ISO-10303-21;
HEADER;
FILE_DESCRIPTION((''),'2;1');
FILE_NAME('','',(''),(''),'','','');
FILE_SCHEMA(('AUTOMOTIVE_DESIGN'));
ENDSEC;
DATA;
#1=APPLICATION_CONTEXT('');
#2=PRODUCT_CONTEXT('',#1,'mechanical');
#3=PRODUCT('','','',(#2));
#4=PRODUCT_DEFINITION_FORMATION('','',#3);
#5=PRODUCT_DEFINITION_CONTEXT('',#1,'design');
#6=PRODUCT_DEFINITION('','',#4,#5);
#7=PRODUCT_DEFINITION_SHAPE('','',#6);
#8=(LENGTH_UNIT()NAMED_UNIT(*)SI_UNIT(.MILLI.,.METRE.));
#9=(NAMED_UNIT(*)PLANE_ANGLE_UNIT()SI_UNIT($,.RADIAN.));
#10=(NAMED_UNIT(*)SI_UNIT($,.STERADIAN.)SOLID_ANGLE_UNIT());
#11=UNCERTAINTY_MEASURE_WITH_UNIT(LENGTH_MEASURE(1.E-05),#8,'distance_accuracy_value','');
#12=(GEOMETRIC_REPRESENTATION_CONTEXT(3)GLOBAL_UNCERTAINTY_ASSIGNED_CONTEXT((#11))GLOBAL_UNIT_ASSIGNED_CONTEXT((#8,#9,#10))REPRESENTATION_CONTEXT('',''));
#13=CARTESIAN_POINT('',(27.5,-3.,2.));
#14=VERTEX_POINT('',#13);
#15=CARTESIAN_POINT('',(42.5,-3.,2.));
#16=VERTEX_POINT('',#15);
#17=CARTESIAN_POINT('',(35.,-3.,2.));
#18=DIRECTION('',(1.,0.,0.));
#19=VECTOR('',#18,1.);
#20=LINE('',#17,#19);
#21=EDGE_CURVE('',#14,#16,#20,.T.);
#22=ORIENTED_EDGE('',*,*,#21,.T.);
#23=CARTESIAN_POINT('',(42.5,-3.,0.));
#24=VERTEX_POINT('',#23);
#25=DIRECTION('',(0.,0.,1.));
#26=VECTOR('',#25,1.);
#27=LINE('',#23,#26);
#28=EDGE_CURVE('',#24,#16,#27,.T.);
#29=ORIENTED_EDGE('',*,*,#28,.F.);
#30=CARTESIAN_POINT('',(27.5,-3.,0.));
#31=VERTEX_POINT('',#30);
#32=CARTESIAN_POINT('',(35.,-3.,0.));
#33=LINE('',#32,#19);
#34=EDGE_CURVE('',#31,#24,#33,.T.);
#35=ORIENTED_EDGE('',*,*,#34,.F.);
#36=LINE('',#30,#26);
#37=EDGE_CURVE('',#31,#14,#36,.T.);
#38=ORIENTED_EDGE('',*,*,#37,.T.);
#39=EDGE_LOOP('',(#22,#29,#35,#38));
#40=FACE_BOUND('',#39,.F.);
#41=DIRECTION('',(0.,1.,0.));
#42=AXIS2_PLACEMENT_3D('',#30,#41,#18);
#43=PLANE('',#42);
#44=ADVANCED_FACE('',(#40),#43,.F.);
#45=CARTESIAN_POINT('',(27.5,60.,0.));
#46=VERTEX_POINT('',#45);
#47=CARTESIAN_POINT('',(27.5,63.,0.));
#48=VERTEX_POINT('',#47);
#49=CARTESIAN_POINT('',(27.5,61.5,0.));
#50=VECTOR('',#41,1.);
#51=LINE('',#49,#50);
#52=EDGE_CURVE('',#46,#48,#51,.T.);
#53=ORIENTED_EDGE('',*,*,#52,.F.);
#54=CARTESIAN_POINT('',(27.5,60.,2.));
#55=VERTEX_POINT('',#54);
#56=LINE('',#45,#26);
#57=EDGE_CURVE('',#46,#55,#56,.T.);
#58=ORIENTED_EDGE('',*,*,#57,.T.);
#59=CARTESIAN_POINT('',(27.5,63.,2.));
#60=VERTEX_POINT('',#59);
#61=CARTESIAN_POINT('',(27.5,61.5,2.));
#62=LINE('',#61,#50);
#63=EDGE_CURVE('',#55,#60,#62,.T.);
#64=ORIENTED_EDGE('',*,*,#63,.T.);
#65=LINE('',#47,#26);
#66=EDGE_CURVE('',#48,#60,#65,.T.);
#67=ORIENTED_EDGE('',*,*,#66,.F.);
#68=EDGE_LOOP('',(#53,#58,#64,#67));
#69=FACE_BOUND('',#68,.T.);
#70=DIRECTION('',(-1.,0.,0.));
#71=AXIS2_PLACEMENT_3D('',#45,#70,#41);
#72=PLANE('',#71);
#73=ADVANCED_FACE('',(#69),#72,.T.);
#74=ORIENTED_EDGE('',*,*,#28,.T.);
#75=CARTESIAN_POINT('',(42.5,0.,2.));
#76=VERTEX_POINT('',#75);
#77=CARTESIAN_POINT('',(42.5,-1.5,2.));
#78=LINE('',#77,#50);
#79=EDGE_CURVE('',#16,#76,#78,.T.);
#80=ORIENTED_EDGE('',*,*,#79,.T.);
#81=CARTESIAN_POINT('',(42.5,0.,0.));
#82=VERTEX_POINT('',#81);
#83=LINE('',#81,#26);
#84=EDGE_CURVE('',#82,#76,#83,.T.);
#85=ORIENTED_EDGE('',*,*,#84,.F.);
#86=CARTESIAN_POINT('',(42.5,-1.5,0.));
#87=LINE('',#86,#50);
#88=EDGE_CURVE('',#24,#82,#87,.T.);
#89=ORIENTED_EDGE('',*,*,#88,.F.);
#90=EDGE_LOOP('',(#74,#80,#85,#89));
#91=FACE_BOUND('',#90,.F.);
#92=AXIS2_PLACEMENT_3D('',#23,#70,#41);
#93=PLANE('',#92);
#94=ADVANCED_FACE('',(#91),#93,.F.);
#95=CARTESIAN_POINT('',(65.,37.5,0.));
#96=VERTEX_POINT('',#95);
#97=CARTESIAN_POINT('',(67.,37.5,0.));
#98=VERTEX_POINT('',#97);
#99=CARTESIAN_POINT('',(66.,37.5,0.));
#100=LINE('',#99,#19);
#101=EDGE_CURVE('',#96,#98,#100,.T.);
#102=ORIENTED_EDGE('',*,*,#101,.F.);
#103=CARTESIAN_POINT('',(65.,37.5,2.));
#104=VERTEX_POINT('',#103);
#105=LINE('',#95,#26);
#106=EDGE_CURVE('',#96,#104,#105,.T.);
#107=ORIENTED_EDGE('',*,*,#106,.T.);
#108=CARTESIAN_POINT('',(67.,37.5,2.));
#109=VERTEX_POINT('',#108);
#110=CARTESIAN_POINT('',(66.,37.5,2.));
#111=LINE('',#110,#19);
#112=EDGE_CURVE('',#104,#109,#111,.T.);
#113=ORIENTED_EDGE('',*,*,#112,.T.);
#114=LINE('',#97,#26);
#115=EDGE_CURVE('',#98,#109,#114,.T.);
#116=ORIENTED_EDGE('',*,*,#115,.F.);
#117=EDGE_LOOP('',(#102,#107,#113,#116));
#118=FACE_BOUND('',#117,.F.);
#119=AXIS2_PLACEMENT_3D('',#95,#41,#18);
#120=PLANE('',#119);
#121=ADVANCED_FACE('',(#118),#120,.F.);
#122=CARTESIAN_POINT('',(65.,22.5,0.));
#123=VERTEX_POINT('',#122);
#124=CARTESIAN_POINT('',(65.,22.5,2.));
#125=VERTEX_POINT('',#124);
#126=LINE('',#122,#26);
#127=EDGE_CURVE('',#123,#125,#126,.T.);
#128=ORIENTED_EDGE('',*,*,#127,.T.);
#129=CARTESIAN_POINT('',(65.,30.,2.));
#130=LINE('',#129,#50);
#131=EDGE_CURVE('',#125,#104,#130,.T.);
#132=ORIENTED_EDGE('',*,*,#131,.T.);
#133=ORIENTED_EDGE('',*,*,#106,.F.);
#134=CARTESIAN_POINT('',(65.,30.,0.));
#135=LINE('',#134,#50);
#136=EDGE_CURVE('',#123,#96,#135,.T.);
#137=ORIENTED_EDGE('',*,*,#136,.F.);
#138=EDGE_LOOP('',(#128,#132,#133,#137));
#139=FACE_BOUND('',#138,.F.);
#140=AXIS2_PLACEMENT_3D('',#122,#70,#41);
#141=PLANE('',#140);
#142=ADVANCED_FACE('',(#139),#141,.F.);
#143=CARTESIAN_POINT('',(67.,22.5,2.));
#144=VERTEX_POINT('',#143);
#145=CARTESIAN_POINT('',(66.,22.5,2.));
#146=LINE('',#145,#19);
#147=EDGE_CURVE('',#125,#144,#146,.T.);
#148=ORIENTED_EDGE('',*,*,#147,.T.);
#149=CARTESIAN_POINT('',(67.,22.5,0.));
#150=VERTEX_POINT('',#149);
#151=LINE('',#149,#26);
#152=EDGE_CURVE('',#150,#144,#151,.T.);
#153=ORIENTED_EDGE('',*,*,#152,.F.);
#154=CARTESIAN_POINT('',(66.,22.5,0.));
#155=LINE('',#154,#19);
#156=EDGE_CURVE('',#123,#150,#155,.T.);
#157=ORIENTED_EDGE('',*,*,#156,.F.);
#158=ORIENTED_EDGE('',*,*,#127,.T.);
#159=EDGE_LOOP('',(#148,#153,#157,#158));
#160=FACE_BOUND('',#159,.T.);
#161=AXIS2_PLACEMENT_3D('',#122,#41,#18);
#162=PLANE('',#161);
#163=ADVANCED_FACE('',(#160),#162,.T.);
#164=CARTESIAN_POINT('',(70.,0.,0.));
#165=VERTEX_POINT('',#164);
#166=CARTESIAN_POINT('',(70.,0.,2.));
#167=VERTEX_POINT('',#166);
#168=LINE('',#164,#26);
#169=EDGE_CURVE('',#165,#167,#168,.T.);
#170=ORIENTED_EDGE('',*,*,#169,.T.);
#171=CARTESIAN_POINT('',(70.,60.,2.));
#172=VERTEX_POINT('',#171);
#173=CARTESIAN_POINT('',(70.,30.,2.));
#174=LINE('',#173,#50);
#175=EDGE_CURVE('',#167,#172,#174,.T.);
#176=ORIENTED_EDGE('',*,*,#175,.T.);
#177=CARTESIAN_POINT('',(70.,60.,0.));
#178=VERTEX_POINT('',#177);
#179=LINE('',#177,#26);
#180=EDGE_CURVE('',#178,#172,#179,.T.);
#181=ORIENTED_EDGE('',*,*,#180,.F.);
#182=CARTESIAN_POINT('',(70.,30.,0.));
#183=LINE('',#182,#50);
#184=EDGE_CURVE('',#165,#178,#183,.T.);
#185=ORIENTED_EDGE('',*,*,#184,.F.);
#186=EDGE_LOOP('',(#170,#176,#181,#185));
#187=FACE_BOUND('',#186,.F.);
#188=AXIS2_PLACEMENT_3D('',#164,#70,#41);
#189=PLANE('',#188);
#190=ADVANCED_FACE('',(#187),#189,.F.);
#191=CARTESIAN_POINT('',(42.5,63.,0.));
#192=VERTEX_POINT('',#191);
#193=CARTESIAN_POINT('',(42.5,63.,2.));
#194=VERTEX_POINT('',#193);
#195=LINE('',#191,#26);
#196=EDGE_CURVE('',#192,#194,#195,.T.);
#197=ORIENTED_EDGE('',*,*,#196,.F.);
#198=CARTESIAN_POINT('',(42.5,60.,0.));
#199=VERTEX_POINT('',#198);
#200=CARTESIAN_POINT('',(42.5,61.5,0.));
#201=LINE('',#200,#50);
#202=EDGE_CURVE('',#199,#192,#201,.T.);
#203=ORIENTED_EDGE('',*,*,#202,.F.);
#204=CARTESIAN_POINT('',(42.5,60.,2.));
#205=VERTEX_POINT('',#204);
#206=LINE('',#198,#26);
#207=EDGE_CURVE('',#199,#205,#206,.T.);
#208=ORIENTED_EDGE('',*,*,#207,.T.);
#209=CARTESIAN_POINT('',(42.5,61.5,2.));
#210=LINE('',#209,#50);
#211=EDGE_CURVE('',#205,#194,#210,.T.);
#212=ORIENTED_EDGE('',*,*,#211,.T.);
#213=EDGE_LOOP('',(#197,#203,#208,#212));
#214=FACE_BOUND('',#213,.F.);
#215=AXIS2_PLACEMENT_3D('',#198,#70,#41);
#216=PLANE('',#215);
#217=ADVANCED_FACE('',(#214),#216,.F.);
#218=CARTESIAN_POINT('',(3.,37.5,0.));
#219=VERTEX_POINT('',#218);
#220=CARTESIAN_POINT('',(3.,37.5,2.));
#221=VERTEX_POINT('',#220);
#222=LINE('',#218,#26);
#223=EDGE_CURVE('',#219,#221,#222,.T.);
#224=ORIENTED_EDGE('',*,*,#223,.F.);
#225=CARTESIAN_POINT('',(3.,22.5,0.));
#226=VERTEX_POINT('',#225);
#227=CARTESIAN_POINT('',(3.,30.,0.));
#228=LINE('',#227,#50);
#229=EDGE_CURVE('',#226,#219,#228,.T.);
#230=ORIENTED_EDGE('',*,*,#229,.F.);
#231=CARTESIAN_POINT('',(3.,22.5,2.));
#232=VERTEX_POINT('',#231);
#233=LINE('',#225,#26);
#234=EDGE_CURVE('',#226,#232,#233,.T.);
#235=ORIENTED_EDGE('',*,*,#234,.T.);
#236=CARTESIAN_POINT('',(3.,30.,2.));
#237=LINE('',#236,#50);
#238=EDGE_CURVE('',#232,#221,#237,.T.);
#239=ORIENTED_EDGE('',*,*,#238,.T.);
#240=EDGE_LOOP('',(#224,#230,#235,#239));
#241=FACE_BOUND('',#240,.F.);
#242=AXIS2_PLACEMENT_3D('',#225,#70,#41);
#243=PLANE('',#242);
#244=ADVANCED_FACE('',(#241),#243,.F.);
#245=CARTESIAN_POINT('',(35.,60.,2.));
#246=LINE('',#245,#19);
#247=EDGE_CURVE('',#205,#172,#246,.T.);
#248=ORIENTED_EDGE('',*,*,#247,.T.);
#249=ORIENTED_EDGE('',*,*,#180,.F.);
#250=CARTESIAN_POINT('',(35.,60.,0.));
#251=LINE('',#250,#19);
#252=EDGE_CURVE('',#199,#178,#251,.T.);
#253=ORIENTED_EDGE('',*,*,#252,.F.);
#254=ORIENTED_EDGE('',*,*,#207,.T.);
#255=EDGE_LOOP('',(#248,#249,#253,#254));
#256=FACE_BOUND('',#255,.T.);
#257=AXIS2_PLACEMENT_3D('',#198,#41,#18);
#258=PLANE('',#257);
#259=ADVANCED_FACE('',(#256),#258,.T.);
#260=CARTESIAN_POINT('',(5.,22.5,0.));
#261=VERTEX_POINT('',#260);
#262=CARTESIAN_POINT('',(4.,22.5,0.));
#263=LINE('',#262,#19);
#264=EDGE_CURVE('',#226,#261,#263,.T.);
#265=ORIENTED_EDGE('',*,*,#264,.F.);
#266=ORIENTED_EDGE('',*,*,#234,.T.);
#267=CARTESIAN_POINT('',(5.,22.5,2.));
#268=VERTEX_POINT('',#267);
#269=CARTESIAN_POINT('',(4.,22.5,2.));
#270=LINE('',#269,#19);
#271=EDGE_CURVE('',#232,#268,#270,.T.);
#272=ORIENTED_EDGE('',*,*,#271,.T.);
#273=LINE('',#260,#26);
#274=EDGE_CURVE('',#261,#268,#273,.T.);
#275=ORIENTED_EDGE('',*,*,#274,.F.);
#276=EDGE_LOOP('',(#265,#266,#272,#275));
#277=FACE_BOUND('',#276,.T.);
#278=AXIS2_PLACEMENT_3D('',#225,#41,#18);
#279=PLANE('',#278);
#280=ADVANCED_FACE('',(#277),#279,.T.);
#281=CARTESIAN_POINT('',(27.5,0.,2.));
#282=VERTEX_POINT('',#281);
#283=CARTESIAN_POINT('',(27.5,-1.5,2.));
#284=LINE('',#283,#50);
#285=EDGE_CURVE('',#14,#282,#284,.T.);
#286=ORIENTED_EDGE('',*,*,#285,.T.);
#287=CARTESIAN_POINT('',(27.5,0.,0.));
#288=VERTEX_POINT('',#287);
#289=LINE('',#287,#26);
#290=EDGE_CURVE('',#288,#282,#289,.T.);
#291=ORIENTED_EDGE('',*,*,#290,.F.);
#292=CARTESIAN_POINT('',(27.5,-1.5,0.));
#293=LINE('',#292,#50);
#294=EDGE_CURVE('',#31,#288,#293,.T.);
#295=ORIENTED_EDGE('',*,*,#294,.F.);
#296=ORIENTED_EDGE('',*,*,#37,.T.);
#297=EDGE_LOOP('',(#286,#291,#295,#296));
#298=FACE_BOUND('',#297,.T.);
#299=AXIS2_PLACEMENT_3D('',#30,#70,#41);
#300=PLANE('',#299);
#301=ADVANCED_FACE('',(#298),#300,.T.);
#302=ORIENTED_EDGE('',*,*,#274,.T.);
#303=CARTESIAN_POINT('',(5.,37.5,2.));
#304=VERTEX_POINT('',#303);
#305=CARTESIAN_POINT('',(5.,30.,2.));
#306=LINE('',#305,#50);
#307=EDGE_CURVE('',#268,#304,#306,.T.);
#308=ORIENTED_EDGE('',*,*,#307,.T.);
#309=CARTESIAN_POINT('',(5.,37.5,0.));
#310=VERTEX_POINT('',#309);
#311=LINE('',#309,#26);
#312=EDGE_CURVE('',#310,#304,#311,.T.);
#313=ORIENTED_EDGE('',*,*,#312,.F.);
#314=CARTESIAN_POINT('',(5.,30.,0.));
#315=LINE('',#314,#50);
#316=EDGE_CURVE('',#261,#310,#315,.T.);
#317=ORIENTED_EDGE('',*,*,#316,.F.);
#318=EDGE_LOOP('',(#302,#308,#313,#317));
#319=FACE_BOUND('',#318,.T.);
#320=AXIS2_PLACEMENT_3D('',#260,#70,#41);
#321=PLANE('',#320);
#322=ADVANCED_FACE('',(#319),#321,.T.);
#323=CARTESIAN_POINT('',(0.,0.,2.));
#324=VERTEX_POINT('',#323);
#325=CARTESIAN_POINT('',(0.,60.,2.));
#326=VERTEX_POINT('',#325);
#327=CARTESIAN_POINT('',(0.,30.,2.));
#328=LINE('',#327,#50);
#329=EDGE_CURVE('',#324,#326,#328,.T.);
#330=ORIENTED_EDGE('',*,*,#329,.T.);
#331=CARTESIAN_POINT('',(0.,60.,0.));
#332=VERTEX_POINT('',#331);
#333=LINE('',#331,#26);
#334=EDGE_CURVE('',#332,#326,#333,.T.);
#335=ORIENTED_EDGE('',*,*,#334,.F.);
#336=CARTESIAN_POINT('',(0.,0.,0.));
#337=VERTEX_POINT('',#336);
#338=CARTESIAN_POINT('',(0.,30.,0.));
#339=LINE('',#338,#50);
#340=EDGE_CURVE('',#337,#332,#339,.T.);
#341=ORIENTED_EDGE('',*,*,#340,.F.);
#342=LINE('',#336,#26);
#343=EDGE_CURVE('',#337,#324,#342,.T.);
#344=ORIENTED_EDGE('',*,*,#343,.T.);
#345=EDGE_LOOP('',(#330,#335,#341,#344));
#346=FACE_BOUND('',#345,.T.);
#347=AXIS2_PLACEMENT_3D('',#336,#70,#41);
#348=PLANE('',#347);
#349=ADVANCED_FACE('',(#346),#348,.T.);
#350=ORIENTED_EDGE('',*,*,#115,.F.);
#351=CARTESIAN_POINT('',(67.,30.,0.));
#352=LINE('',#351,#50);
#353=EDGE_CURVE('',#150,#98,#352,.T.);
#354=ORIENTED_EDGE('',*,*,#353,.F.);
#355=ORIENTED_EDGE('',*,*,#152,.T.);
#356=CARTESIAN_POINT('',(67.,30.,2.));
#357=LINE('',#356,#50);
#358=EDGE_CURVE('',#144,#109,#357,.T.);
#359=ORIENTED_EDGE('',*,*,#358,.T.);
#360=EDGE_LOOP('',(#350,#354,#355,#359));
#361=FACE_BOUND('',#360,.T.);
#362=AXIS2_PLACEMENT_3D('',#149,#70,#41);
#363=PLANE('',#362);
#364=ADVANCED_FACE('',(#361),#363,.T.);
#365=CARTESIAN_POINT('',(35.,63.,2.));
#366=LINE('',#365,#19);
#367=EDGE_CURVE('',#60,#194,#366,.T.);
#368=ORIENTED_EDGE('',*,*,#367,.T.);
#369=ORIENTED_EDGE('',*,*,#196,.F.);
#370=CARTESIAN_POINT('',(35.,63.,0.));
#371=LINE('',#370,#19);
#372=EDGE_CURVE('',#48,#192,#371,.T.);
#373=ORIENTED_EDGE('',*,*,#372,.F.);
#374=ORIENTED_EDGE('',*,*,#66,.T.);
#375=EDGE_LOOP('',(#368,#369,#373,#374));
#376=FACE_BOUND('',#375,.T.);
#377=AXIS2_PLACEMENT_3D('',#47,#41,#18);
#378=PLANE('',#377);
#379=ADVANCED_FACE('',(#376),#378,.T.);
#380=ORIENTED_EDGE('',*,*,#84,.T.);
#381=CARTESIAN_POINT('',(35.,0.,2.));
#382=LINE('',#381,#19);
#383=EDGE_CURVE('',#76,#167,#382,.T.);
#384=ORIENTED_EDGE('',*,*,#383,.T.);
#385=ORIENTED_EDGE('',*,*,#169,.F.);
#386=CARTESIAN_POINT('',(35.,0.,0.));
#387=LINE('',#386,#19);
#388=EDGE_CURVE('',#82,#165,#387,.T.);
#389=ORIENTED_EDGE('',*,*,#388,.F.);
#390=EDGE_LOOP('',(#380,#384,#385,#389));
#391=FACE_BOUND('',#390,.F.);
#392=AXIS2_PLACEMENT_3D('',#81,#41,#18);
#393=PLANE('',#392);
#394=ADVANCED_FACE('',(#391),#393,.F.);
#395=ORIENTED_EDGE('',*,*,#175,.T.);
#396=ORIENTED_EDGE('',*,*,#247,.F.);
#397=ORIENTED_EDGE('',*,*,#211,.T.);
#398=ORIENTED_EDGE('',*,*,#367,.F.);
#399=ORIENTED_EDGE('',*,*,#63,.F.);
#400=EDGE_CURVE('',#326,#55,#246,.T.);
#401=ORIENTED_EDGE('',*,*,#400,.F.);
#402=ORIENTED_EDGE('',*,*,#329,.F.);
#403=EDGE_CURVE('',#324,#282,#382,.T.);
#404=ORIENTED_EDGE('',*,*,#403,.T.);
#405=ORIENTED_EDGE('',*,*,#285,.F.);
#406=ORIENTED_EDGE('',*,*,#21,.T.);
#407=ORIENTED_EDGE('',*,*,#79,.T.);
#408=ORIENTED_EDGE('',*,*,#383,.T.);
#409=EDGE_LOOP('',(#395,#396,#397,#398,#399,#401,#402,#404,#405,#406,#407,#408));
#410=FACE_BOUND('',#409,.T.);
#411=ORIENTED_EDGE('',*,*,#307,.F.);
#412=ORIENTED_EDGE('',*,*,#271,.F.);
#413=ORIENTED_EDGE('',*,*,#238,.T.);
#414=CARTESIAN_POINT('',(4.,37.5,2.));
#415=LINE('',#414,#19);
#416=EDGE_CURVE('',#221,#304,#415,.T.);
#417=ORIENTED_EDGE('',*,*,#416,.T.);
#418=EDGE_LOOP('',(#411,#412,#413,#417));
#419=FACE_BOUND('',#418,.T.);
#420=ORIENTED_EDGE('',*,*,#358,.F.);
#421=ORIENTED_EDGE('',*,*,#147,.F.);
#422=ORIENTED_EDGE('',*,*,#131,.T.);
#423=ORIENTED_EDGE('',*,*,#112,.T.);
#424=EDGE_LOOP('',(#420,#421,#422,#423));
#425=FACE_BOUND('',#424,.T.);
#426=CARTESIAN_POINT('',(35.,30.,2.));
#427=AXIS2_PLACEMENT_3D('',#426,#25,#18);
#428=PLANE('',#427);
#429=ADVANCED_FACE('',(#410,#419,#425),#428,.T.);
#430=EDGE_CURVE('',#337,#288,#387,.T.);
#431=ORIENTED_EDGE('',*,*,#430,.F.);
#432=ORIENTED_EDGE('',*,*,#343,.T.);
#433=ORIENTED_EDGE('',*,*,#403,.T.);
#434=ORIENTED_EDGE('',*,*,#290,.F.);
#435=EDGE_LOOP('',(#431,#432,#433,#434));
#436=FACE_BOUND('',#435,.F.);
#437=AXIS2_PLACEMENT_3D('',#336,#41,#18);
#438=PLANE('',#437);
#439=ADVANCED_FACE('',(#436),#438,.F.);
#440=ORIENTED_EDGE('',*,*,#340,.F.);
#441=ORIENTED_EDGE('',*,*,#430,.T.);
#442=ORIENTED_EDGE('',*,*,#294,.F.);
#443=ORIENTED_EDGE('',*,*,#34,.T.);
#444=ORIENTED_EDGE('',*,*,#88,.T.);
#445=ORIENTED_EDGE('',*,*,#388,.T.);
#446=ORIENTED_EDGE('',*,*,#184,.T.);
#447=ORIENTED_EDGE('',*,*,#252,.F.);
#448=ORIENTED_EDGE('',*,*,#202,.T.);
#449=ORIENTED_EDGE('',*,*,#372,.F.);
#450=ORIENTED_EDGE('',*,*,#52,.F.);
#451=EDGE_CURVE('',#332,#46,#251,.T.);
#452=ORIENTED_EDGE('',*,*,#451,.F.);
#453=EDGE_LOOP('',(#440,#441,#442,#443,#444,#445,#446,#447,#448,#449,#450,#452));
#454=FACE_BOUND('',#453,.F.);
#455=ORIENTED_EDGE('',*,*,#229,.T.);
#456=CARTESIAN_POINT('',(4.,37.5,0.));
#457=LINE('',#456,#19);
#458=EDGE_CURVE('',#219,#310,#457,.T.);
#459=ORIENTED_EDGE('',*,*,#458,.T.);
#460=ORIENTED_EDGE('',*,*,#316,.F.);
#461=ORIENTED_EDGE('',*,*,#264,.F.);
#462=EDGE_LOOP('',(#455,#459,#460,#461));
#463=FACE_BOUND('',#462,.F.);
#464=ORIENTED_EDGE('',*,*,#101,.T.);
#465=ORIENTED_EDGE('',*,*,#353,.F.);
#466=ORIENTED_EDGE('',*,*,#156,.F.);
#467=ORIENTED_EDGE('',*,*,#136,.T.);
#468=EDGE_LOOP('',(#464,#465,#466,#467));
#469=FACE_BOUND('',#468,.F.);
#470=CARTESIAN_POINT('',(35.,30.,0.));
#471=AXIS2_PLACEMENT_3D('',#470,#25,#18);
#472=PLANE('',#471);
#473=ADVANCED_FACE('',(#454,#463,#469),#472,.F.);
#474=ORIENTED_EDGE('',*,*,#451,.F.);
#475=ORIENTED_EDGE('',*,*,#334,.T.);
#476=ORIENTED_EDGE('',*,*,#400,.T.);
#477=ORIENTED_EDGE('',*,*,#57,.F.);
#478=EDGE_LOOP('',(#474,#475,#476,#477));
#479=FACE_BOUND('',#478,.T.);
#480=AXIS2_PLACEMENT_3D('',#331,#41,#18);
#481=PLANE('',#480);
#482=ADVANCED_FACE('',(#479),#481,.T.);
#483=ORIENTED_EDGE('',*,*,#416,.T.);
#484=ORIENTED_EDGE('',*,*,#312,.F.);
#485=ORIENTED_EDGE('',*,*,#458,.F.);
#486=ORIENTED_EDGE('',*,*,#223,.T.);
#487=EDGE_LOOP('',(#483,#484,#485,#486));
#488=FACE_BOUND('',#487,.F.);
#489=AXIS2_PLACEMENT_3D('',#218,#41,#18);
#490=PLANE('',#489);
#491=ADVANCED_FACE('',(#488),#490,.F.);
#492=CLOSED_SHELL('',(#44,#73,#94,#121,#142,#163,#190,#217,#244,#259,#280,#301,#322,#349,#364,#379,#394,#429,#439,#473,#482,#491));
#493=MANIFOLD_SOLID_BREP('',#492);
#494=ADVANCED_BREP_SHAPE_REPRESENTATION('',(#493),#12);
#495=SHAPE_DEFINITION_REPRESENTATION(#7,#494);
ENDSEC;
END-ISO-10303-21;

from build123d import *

# Parameters (mm, degrees)
SKETCH_W     = 70
SKETCH_H     = 60
SKETCH_W_2   = 15
SKETCH_H_2   = 3
PAD_DEPTH    = 2
SKETCH001_W  = 2
SKETCH001_H  = 15
POCKET_DEPTH = 2


with BuildPart() as part:
    # Sketch → Pad (new body)
    with BuildSketch(Plane.XY):
        with Locations((35, 30)):
            Rectangle(SKETCH_W, SKETCH_H)
        with Locations((35, 61.5)):
            Rectangle(SKETCH_W_2, SKETCH_H_2)
        with Locations((35, -1.5)):
            Rectangle(SKETCH_W_2, SKETCH_H_2)
    extrude(amount=PAD_DEPTH)

    # Sketch001 → Pocket (cut)
    with BuildSketch(Plane.XY):
        with Locations((66, 30)):
            Rectangle(SKETCH001_W, SKETCH001_H)
        with Locations((4, 30)):
            Rectangle(SKETCH001_W, SKETCH001_H)
    extrude(amount=POCKET_DEPTH, mode=Mode.SUBTRACT)


solid = part.part
